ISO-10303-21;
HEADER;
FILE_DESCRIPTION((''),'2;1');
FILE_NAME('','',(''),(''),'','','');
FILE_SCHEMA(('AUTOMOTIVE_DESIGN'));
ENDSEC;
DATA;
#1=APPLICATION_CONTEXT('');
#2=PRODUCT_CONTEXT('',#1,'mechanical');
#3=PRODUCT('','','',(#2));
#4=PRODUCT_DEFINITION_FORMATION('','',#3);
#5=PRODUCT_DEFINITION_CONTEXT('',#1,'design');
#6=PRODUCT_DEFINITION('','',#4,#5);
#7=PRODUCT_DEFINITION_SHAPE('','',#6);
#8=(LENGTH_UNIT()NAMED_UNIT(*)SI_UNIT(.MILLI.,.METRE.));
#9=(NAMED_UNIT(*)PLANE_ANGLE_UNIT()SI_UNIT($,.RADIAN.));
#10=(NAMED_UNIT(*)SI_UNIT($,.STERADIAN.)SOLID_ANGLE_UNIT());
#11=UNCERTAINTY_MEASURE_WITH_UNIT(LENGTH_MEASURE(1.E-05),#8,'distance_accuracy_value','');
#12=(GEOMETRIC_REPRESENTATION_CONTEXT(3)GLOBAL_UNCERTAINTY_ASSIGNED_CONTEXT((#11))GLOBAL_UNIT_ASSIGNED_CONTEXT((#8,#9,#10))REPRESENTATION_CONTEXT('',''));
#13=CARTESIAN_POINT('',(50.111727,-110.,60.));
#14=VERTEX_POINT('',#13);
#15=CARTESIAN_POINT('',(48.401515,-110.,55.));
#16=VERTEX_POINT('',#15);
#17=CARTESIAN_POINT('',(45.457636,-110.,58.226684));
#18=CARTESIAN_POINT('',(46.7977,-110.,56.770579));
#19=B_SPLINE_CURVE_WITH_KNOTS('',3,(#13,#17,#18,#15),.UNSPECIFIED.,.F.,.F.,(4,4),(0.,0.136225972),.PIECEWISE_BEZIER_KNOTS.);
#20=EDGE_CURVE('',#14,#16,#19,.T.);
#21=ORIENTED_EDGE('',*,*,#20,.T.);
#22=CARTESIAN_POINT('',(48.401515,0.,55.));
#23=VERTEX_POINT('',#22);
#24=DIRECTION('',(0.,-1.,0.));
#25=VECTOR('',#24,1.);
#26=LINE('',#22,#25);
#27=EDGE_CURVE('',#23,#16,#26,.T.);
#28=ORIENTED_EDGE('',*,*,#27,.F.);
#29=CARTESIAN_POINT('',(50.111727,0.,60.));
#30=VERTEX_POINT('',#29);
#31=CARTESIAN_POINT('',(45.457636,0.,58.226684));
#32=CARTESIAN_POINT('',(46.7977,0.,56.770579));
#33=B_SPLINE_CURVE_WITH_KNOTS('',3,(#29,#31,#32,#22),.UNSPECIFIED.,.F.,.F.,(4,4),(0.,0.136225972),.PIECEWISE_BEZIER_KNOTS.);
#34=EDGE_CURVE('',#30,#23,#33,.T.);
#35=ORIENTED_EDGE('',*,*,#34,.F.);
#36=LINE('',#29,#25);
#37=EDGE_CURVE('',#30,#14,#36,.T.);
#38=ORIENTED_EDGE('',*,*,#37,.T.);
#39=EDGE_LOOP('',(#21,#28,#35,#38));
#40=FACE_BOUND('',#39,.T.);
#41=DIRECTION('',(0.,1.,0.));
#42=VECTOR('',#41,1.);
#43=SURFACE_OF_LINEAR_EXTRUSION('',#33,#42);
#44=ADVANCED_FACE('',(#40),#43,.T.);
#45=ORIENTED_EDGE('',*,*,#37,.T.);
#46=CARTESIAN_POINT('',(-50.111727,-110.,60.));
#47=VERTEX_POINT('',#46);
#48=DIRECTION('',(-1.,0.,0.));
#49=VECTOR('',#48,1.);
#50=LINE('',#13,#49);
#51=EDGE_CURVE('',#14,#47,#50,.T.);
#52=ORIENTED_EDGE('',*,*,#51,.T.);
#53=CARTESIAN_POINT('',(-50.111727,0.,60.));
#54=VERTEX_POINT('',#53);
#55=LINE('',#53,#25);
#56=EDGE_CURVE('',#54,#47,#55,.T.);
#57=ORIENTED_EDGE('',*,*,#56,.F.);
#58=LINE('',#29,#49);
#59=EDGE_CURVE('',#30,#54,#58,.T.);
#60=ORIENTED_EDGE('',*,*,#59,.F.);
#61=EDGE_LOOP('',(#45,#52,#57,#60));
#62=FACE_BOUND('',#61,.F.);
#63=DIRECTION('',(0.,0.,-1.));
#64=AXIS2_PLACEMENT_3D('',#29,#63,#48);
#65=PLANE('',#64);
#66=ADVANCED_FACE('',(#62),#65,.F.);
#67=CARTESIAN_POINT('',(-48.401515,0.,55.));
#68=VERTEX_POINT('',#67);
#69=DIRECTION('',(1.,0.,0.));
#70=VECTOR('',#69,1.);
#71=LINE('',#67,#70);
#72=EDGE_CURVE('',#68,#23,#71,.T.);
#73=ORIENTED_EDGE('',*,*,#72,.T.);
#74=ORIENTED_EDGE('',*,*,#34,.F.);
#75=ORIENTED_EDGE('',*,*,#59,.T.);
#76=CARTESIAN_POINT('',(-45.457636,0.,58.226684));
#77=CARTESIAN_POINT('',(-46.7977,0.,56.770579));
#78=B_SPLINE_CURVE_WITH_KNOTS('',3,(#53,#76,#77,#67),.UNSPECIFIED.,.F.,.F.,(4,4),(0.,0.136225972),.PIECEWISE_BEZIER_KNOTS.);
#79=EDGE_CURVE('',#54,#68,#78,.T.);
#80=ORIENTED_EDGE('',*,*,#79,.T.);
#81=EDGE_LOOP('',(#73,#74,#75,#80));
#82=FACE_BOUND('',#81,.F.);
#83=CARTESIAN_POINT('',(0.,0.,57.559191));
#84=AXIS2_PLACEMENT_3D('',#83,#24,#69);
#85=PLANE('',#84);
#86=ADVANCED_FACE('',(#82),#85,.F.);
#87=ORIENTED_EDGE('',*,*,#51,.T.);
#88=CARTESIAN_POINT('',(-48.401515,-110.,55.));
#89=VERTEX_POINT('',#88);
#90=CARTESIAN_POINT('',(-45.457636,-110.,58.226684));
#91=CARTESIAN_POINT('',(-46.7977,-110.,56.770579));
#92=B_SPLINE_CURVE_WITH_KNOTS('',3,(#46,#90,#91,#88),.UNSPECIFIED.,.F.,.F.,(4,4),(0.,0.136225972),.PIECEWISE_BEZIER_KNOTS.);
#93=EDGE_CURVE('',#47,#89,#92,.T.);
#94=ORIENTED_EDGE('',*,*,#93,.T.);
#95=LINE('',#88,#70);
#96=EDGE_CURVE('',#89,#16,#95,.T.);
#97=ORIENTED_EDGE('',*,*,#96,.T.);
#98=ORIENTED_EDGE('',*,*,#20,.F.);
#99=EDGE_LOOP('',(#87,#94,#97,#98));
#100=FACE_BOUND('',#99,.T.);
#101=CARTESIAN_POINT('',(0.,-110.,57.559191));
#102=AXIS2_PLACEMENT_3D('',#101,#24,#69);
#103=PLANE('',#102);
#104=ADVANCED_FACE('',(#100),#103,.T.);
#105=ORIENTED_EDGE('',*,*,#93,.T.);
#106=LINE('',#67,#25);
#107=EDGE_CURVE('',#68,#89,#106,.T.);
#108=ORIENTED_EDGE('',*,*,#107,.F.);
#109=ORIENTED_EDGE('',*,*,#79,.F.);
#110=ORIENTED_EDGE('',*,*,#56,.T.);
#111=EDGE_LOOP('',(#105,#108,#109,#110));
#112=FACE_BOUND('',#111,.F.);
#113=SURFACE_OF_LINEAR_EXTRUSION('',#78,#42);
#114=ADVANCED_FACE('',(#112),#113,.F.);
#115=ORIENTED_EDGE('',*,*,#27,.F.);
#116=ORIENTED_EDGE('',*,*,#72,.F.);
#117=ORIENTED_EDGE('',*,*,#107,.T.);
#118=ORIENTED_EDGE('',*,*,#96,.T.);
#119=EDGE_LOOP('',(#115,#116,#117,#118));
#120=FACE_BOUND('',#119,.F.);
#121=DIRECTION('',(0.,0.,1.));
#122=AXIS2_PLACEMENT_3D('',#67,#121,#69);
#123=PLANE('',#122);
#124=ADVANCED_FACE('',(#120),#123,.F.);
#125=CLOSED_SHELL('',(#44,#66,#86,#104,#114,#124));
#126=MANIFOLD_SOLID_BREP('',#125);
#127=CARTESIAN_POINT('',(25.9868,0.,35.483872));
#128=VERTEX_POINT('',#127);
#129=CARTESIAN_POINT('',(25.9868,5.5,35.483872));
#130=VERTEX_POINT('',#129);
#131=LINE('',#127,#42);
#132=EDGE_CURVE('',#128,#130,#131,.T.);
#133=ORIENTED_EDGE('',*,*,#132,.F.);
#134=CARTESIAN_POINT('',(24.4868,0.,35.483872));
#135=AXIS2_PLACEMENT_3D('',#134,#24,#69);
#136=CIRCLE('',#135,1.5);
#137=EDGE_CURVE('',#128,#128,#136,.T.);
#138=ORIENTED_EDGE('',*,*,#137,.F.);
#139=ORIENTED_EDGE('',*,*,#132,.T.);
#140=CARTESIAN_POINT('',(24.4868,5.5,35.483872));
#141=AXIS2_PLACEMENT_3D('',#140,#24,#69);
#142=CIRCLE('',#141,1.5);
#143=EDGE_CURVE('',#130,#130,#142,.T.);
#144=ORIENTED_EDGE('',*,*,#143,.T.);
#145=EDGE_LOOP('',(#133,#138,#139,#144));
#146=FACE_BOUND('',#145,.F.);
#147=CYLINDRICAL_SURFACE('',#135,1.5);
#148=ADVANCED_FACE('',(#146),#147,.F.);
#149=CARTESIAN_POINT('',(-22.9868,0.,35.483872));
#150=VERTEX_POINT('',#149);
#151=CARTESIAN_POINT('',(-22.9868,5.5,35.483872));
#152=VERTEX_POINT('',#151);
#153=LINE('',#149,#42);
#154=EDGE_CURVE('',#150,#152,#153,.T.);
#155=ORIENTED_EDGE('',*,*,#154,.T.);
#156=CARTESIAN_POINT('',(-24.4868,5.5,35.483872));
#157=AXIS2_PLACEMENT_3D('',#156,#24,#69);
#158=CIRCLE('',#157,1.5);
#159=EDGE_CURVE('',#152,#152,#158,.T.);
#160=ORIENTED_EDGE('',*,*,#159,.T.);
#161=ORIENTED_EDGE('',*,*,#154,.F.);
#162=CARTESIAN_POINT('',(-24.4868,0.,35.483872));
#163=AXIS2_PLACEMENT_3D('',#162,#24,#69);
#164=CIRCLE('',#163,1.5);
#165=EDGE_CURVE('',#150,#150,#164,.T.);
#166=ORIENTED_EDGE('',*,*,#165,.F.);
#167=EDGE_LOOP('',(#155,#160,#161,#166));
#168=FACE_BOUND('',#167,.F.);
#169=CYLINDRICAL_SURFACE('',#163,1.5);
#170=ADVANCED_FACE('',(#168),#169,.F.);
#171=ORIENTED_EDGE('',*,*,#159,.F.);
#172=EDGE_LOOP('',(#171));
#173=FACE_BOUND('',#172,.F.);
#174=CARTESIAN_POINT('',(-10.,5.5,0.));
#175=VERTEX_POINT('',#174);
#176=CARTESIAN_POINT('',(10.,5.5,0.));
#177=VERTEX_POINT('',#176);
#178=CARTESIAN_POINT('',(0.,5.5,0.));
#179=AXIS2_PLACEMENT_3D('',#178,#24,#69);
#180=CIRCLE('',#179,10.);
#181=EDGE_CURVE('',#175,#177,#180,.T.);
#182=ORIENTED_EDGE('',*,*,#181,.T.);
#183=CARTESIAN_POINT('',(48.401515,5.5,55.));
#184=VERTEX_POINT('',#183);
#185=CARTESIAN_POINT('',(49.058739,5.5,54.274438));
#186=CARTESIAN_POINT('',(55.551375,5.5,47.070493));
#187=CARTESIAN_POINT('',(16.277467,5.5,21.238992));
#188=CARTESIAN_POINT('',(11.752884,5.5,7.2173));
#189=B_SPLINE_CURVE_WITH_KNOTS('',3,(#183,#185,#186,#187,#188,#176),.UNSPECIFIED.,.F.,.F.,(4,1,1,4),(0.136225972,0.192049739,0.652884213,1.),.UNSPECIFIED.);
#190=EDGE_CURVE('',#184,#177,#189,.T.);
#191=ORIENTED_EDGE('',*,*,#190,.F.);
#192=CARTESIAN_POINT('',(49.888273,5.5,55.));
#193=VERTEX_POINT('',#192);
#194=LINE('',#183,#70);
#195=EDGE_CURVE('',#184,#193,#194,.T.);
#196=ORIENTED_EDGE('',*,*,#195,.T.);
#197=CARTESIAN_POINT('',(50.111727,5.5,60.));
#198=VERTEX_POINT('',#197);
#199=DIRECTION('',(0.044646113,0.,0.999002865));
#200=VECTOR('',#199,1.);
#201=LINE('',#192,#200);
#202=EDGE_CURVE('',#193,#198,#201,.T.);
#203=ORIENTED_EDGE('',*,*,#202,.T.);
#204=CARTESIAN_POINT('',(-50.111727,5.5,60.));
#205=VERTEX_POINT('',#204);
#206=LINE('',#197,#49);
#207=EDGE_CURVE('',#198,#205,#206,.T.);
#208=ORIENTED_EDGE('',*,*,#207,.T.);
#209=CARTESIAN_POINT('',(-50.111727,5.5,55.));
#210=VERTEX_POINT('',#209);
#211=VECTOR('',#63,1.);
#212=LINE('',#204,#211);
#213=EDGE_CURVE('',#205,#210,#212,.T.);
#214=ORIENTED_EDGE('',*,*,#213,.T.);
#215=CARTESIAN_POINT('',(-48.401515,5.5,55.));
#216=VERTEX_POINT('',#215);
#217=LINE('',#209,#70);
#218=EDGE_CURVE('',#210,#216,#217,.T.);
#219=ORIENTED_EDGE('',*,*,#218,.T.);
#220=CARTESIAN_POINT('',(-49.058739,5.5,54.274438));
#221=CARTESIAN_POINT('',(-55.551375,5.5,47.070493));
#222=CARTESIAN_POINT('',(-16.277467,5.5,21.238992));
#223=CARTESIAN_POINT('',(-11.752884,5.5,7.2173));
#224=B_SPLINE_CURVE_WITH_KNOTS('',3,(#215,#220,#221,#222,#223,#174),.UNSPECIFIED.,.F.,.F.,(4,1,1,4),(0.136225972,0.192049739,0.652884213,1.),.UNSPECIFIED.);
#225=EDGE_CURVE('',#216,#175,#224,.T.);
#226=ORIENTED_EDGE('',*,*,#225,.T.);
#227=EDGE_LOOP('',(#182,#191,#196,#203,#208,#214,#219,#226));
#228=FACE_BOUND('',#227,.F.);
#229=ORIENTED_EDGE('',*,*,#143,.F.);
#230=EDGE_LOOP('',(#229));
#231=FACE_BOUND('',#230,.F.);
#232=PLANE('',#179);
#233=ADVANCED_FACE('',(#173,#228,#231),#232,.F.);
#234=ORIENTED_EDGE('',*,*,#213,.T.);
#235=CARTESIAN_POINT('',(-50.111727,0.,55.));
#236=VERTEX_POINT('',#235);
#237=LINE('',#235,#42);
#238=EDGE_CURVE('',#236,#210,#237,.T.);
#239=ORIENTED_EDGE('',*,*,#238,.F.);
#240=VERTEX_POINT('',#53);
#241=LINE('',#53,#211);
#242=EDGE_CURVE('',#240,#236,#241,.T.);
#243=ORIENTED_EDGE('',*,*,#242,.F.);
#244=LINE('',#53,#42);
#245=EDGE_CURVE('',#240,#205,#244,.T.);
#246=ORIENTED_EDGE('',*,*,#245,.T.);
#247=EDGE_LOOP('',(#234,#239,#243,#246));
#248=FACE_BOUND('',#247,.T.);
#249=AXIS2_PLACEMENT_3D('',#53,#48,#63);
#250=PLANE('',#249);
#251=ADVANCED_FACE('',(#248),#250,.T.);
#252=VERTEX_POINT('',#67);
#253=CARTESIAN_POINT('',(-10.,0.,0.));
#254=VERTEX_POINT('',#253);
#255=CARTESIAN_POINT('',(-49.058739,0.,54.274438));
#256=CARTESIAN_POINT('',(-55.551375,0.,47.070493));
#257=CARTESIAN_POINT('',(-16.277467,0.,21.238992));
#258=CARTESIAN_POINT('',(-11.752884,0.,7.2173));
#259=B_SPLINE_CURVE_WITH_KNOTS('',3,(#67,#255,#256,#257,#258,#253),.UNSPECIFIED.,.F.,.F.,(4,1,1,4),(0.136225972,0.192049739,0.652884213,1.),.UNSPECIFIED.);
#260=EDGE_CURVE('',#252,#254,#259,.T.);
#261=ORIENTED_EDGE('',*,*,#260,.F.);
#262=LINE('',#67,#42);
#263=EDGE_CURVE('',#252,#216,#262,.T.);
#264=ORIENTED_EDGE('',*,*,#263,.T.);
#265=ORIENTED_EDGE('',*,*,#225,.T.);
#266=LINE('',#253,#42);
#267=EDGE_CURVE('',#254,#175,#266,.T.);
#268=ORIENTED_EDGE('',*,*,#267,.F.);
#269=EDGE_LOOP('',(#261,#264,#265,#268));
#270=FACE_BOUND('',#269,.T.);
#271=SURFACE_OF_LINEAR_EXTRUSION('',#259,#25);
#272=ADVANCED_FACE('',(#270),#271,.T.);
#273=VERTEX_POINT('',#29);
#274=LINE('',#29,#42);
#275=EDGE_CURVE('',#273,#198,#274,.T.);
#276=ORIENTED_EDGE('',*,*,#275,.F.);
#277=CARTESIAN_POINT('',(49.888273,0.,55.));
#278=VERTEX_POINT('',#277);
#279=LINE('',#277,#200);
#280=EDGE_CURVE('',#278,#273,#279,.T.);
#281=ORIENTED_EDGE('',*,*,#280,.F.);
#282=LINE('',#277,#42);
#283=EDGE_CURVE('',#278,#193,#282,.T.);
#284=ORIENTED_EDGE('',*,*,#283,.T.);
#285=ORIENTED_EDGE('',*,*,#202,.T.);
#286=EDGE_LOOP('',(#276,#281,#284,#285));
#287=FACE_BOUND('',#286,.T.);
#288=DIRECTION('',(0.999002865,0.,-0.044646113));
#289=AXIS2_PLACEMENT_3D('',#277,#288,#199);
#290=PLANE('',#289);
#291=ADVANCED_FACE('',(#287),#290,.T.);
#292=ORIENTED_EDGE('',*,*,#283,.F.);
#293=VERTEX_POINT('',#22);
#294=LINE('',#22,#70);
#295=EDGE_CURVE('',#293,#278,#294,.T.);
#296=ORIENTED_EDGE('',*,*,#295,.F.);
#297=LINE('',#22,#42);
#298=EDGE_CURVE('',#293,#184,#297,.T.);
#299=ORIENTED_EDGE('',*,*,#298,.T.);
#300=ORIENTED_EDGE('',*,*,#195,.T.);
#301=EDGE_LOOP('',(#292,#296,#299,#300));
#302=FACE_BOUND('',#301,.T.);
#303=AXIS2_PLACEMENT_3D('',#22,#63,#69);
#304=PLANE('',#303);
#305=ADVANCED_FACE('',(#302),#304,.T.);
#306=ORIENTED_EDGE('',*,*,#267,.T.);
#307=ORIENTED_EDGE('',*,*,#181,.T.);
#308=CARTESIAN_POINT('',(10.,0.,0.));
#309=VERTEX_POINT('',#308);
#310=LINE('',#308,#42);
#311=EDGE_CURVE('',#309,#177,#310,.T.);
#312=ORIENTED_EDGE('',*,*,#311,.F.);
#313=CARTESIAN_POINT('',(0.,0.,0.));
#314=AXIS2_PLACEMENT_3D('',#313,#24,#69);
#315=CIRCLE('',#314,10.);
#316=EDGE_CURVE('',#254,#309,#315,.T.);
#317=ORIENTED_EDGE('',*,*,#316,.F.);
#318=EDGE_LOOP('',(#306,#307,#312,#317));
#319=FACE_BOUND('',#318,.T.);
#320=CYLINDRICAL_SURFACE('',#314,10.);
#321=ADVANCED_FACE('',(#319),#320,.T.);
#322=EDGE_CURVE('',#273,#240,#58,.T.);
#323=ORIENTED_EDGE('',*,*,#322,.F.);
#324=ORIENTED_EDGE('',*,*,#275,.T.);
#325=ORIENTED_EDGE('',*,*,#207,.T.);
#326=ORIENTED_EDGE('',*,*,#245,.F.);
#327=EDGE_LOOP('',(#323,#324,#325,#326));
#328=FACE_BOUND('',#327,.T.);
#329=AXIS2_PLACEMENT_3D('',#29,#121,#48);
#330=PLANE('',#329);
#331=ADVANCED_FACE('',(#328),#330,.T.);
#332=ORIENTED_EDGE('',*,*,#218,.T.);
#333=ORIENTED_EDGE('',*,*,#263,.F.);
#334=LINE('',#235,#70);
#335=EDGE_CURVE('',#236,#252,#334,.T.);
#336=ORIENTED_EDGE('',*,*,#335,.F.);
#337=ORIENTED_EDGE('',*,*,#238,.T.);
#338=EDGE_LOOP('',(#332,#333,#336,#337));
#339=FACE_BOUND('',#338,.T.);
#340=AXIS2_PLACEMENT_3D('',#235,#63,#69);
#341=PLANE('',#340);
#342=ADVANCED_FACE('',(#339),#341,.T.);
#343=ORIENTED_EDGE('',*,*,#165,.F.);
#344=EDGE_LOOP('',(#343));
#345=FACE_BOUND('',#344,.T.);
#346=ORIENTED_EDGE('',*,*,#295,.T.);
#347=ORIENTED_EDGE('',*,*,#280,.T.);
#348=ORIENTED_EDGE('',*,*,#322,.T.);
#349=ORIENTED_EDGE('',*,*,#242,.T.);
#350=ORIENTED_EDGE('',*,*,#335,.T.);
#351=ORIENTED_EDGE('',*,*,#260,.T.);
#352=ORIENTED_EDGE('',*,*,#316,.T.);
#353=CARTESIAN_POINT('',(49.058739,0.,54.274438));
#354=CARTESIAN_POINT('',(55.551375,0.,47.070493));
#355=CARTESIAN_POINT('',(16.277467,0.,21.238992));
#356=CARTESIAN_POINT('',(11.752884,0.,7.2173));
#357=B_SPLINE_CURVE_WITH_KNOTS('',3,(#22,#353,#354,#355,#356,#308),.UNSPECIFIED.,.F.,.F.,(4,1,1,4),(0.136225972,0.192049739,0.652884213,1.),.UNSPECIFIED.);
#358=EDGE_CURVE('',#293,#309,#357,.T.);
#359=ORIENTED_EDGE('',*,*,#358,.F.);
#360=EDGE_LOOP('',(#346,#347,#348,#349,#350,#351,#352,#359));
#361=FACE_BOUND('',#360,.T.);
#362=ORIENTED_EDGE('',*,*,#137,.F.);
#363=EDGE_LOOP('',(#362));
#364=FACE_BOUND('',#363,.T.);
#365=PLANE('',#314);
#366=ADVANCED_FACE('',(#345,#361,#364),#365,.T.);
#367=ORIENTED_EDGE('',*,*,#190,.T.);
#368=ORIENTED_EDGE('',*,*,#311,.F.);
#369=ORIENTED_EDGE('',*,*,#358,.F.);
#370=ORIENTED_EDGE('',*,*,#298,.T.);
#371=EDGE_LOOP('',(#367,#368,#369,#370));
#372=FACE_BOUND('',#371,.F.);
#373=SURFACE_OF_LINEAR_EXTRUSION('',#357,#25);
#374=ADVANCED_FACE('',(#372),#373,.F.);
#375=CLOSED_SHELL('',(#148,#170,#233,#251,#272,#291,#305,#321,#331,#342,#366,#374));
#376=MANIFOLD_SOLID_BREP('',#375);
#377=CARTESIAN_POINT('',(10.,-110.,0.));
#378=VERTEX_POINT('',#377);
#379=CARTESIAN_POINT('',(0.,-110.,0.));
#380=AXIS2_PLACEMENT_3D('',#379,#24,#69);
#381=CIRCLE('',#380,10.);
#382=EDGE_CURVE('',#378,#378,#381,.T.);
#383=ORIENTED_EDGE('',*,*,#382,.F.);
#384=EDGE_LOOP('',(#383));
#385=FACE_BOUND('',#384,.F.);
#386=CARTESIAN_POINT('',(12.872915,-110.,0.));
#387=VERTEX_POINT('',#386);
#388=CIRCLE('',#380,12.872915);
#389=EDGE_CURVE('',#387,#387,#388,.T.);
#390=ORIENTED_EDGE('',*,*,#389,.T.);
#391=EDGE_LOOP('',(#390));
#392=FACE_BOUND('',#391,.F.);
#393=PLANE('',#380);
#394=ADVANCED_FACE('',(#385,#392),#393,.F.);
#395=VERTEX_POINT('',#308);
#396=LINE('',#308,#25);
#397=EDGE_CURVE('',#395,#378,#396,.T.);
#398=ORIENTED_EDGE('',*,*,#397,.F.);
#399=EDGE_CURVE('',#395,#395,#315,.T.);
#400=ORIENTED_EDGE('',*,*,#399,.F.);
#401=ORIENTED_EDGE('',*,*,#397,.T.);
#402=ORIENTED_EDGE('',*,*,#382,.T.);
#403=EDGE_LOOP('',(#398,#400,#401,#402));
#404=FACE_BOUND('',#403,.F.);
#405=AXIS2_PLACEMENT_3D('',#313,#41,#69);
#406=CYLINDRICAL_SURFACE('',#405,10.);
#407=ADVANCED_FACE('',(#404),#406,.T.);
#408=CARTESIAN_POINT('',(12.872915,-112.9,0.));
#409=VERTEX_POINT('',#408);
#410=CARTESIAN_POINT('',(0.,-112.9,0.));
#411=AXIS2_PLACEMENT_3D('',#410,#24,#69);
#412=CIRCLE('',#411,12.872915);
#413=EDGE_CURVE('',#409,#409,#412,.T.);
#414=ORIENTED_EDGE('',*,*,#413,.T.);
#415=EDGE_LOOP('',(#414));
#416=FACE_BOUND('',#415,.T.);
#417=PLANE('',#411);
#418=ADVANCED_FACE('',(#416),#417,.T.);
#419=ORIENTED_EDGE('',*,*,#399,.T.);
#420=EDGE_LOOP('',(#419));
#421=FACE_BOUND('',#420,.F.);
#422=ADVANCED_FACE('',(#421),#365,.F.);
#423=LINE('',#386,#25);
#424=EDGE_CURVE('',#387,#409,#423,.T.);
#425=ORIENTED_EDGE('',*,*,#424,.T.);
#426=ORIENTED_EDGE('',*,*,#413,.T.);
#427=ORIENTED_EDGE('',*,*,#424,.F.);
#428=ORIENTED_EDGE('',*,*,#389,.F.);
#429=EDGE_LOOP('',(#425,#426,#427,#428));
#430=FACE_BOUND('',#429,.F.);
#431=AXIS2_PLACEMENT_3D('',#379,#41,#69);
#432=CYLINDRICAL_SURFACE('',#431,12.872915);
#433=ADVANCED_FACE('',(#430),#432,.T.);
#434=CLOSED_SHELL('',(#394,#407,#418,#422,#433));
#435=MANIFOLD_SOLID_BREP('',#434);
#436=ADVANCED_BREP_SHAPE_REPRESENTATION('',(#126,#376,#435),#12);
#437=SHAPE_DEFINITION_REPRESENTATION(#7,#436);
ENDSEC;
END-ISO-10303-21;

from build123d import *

# Parameters (mm, degrees)
F1_DEPTH = 110
F0_R     = 1.5
F2_DEPTH = 5.5
F3_R     = 12.8729147036
F3_R_2   = 10
F4_DEPTH = 2.9


with BuildPart() as f1:
    # F0 (on Front) → F1 (new body)
    with BuildSketch(Plane.XZ):
        with BuildLine():
            Line((-48.4015151421, 55), (48.4015151421, 55))
            add(Edge.make_bspline(
                [(50.1117266903, 60), (45.4576355608, 58.2266837042), (46.7977000249, 56.7705786305), (48.4015151421, 55)],
                knots=[0, 0, 0, 0, 0.1362259725, 0.1362259725, 0.1362259725, 0.1362259725], degree=3))
            Line((50.1117266903, 60), (0, 60))
            Line((0, 60), (-50.1117266903, 60))
            add(Edge.make_bspline(
                [(-50.1117266903, 60), (-45.4576355608, 58.2266837042), (-46.7977000249, 56.7705786305), (-48.4015151421, 55)],
                knots=[0, 0, 0, 0, 0.1362259725, 0.1362259725, 0.1362259725, 0.1362259725], degree=3))
        make_face()
    extrude(amount=F1_DEPTH)


with BuildPart() as f1b:
    # F0 (on Front) → F1, piece 2 (new body)
    with BuildSketch(Plane.XZ):
        with BuildLine():
            ThreePointArc((-10, 0), (0, -10), (10, 0))
            ThreePointArc((10, 0), (0, 10), (-10, 0))
        make_face()
    extrude(amount=F1_DEPTH)

    # F3 (on face) → F4 (join)
    with BuildSketch(Plane.XZ.offset(110)):
        Circle(F3_R)
        Circle(F3_R_2, mode=Mode.SUBTRACT)
        Circle(F3_R_2)
    extrude(amount=F4_DEPTH)


with BuildPart() as f2:
    # F0 (on Front) → F2 (new body)
    with BuildSketch(Plane.XZ):
        with BuildLine():
            ThreePointArc((-10, 0), (0, -10), (10, 0))
            ThreePointArc((10, 0), (0, 10), (-10, 0))
        make_face()
        with BuildLine():
            ThreePointArc((-10, 0), (0, 10), (10, 0))
            add(Edge.make_bspline(
                [(48.4015151421, 55), (49.0587393006, 54.2744381581), (55.5513754439, 47.0704926237), (16.2774669808, 21.2389924544), (11.7528843024, 7.2172997491), (10, 0)],
                knots=[0.1362259725, 0.1362259725, 0.1362259725, 0.1362259725, 0.1920497388, 0.6528842126, 1, 1, 1, 1], degree=3))
            Line((48.4015151421, 55), (-48.4015151421, 55))
            add(Edge.make_bspline(
                [(-48.4015151421, 55), (-49.0587393006, 54.2744381581), (-55.5513754439, 47.0704926237), (-16.2774669808, 21.2389924544), (-11.7528843024, 7.2172997491), (-10, 0)],
                knots=[0.1362259725, 0.1362259725, 0.1362259725, 0.1362259725, 0.1920497388, 0.6528842126, 1, 1, 1, 1], degree=3))
        make_face()
        with Locations((-24.4867997614, 35.4838720158)):
            Circle(F0_R, mode=Mode.SUBTRACT)
        with Locations((24.4867997614, 35.4838720158)):
            Circle(F0_R, mode=Mode.SUBTRACT)
        with BuildLine():
            Line((-48.4015151421, 55), (48.4015151421, 55))
            add(Edge.make_bspline(
                [(50.1117266903, 60), (45.4576355608, 58.2266837042), (46.7977000249, 56.7705786305), (48.4015151421, 55)],
                knots=[0, 0, 0, 0, 0.1362259725, 0.1362259725, 0.1362259725, 0.1362259725], degree=3))
            Line((50.1117266903, 60), (0, 60))
            Line((0, 60), (-50.1117266903, 60))
            add(Edge.make_bspline(
                [(-50.1117266903, 60), (-45.4576355608, 58.2266837042), (-46.7977000249, 56.7705786305), (-48.4015151421, 55)],
                knots=[0, 0, 0, 0, 0.1362259725, 0.1362259725, 0.1362259725, 0.1362259725], degree=3))
        make_face()
        with BuildLine():
            add(Edge.make_bspline(
                [(50.1117266903, 60), (45.4576355608, 58.2266837042), (46.7977000249, 56.7705786305), (48.4015151421, 55)],
                knots=[0, 0, 0, 0, 0.1362259725, 0.1362259725, 0.1362259725, 0.1362259725], degree=3))
            Line((48.4015151421, 55), (49.8882733097, 55))
            Line((49.8882733097, 55), (50.1117266903, 60))
        make_face()
        with BuildLine():
            Line((-50.1117266903, 55), (-48.4015151421, 55))
            add(Edge.make_bspline(
                [(-50.1117266903, 60), (-45.4576355608, 58.2266837042), (-46.7977000249, 56.7705786305), (-48.4015151421, 55)],
                knots=[0, 0, 0, 0, 0.1362259725, 0.1362259725, 0.1362259725, 0.1362259725], degree=3))
            Line((-50.1117266903, 60), (-50.1117266903, 55))
        make_face()
    extrude(amount=-F2_DEPTH)


solid = Compound([f1.part, f1b.part, f2.part])
